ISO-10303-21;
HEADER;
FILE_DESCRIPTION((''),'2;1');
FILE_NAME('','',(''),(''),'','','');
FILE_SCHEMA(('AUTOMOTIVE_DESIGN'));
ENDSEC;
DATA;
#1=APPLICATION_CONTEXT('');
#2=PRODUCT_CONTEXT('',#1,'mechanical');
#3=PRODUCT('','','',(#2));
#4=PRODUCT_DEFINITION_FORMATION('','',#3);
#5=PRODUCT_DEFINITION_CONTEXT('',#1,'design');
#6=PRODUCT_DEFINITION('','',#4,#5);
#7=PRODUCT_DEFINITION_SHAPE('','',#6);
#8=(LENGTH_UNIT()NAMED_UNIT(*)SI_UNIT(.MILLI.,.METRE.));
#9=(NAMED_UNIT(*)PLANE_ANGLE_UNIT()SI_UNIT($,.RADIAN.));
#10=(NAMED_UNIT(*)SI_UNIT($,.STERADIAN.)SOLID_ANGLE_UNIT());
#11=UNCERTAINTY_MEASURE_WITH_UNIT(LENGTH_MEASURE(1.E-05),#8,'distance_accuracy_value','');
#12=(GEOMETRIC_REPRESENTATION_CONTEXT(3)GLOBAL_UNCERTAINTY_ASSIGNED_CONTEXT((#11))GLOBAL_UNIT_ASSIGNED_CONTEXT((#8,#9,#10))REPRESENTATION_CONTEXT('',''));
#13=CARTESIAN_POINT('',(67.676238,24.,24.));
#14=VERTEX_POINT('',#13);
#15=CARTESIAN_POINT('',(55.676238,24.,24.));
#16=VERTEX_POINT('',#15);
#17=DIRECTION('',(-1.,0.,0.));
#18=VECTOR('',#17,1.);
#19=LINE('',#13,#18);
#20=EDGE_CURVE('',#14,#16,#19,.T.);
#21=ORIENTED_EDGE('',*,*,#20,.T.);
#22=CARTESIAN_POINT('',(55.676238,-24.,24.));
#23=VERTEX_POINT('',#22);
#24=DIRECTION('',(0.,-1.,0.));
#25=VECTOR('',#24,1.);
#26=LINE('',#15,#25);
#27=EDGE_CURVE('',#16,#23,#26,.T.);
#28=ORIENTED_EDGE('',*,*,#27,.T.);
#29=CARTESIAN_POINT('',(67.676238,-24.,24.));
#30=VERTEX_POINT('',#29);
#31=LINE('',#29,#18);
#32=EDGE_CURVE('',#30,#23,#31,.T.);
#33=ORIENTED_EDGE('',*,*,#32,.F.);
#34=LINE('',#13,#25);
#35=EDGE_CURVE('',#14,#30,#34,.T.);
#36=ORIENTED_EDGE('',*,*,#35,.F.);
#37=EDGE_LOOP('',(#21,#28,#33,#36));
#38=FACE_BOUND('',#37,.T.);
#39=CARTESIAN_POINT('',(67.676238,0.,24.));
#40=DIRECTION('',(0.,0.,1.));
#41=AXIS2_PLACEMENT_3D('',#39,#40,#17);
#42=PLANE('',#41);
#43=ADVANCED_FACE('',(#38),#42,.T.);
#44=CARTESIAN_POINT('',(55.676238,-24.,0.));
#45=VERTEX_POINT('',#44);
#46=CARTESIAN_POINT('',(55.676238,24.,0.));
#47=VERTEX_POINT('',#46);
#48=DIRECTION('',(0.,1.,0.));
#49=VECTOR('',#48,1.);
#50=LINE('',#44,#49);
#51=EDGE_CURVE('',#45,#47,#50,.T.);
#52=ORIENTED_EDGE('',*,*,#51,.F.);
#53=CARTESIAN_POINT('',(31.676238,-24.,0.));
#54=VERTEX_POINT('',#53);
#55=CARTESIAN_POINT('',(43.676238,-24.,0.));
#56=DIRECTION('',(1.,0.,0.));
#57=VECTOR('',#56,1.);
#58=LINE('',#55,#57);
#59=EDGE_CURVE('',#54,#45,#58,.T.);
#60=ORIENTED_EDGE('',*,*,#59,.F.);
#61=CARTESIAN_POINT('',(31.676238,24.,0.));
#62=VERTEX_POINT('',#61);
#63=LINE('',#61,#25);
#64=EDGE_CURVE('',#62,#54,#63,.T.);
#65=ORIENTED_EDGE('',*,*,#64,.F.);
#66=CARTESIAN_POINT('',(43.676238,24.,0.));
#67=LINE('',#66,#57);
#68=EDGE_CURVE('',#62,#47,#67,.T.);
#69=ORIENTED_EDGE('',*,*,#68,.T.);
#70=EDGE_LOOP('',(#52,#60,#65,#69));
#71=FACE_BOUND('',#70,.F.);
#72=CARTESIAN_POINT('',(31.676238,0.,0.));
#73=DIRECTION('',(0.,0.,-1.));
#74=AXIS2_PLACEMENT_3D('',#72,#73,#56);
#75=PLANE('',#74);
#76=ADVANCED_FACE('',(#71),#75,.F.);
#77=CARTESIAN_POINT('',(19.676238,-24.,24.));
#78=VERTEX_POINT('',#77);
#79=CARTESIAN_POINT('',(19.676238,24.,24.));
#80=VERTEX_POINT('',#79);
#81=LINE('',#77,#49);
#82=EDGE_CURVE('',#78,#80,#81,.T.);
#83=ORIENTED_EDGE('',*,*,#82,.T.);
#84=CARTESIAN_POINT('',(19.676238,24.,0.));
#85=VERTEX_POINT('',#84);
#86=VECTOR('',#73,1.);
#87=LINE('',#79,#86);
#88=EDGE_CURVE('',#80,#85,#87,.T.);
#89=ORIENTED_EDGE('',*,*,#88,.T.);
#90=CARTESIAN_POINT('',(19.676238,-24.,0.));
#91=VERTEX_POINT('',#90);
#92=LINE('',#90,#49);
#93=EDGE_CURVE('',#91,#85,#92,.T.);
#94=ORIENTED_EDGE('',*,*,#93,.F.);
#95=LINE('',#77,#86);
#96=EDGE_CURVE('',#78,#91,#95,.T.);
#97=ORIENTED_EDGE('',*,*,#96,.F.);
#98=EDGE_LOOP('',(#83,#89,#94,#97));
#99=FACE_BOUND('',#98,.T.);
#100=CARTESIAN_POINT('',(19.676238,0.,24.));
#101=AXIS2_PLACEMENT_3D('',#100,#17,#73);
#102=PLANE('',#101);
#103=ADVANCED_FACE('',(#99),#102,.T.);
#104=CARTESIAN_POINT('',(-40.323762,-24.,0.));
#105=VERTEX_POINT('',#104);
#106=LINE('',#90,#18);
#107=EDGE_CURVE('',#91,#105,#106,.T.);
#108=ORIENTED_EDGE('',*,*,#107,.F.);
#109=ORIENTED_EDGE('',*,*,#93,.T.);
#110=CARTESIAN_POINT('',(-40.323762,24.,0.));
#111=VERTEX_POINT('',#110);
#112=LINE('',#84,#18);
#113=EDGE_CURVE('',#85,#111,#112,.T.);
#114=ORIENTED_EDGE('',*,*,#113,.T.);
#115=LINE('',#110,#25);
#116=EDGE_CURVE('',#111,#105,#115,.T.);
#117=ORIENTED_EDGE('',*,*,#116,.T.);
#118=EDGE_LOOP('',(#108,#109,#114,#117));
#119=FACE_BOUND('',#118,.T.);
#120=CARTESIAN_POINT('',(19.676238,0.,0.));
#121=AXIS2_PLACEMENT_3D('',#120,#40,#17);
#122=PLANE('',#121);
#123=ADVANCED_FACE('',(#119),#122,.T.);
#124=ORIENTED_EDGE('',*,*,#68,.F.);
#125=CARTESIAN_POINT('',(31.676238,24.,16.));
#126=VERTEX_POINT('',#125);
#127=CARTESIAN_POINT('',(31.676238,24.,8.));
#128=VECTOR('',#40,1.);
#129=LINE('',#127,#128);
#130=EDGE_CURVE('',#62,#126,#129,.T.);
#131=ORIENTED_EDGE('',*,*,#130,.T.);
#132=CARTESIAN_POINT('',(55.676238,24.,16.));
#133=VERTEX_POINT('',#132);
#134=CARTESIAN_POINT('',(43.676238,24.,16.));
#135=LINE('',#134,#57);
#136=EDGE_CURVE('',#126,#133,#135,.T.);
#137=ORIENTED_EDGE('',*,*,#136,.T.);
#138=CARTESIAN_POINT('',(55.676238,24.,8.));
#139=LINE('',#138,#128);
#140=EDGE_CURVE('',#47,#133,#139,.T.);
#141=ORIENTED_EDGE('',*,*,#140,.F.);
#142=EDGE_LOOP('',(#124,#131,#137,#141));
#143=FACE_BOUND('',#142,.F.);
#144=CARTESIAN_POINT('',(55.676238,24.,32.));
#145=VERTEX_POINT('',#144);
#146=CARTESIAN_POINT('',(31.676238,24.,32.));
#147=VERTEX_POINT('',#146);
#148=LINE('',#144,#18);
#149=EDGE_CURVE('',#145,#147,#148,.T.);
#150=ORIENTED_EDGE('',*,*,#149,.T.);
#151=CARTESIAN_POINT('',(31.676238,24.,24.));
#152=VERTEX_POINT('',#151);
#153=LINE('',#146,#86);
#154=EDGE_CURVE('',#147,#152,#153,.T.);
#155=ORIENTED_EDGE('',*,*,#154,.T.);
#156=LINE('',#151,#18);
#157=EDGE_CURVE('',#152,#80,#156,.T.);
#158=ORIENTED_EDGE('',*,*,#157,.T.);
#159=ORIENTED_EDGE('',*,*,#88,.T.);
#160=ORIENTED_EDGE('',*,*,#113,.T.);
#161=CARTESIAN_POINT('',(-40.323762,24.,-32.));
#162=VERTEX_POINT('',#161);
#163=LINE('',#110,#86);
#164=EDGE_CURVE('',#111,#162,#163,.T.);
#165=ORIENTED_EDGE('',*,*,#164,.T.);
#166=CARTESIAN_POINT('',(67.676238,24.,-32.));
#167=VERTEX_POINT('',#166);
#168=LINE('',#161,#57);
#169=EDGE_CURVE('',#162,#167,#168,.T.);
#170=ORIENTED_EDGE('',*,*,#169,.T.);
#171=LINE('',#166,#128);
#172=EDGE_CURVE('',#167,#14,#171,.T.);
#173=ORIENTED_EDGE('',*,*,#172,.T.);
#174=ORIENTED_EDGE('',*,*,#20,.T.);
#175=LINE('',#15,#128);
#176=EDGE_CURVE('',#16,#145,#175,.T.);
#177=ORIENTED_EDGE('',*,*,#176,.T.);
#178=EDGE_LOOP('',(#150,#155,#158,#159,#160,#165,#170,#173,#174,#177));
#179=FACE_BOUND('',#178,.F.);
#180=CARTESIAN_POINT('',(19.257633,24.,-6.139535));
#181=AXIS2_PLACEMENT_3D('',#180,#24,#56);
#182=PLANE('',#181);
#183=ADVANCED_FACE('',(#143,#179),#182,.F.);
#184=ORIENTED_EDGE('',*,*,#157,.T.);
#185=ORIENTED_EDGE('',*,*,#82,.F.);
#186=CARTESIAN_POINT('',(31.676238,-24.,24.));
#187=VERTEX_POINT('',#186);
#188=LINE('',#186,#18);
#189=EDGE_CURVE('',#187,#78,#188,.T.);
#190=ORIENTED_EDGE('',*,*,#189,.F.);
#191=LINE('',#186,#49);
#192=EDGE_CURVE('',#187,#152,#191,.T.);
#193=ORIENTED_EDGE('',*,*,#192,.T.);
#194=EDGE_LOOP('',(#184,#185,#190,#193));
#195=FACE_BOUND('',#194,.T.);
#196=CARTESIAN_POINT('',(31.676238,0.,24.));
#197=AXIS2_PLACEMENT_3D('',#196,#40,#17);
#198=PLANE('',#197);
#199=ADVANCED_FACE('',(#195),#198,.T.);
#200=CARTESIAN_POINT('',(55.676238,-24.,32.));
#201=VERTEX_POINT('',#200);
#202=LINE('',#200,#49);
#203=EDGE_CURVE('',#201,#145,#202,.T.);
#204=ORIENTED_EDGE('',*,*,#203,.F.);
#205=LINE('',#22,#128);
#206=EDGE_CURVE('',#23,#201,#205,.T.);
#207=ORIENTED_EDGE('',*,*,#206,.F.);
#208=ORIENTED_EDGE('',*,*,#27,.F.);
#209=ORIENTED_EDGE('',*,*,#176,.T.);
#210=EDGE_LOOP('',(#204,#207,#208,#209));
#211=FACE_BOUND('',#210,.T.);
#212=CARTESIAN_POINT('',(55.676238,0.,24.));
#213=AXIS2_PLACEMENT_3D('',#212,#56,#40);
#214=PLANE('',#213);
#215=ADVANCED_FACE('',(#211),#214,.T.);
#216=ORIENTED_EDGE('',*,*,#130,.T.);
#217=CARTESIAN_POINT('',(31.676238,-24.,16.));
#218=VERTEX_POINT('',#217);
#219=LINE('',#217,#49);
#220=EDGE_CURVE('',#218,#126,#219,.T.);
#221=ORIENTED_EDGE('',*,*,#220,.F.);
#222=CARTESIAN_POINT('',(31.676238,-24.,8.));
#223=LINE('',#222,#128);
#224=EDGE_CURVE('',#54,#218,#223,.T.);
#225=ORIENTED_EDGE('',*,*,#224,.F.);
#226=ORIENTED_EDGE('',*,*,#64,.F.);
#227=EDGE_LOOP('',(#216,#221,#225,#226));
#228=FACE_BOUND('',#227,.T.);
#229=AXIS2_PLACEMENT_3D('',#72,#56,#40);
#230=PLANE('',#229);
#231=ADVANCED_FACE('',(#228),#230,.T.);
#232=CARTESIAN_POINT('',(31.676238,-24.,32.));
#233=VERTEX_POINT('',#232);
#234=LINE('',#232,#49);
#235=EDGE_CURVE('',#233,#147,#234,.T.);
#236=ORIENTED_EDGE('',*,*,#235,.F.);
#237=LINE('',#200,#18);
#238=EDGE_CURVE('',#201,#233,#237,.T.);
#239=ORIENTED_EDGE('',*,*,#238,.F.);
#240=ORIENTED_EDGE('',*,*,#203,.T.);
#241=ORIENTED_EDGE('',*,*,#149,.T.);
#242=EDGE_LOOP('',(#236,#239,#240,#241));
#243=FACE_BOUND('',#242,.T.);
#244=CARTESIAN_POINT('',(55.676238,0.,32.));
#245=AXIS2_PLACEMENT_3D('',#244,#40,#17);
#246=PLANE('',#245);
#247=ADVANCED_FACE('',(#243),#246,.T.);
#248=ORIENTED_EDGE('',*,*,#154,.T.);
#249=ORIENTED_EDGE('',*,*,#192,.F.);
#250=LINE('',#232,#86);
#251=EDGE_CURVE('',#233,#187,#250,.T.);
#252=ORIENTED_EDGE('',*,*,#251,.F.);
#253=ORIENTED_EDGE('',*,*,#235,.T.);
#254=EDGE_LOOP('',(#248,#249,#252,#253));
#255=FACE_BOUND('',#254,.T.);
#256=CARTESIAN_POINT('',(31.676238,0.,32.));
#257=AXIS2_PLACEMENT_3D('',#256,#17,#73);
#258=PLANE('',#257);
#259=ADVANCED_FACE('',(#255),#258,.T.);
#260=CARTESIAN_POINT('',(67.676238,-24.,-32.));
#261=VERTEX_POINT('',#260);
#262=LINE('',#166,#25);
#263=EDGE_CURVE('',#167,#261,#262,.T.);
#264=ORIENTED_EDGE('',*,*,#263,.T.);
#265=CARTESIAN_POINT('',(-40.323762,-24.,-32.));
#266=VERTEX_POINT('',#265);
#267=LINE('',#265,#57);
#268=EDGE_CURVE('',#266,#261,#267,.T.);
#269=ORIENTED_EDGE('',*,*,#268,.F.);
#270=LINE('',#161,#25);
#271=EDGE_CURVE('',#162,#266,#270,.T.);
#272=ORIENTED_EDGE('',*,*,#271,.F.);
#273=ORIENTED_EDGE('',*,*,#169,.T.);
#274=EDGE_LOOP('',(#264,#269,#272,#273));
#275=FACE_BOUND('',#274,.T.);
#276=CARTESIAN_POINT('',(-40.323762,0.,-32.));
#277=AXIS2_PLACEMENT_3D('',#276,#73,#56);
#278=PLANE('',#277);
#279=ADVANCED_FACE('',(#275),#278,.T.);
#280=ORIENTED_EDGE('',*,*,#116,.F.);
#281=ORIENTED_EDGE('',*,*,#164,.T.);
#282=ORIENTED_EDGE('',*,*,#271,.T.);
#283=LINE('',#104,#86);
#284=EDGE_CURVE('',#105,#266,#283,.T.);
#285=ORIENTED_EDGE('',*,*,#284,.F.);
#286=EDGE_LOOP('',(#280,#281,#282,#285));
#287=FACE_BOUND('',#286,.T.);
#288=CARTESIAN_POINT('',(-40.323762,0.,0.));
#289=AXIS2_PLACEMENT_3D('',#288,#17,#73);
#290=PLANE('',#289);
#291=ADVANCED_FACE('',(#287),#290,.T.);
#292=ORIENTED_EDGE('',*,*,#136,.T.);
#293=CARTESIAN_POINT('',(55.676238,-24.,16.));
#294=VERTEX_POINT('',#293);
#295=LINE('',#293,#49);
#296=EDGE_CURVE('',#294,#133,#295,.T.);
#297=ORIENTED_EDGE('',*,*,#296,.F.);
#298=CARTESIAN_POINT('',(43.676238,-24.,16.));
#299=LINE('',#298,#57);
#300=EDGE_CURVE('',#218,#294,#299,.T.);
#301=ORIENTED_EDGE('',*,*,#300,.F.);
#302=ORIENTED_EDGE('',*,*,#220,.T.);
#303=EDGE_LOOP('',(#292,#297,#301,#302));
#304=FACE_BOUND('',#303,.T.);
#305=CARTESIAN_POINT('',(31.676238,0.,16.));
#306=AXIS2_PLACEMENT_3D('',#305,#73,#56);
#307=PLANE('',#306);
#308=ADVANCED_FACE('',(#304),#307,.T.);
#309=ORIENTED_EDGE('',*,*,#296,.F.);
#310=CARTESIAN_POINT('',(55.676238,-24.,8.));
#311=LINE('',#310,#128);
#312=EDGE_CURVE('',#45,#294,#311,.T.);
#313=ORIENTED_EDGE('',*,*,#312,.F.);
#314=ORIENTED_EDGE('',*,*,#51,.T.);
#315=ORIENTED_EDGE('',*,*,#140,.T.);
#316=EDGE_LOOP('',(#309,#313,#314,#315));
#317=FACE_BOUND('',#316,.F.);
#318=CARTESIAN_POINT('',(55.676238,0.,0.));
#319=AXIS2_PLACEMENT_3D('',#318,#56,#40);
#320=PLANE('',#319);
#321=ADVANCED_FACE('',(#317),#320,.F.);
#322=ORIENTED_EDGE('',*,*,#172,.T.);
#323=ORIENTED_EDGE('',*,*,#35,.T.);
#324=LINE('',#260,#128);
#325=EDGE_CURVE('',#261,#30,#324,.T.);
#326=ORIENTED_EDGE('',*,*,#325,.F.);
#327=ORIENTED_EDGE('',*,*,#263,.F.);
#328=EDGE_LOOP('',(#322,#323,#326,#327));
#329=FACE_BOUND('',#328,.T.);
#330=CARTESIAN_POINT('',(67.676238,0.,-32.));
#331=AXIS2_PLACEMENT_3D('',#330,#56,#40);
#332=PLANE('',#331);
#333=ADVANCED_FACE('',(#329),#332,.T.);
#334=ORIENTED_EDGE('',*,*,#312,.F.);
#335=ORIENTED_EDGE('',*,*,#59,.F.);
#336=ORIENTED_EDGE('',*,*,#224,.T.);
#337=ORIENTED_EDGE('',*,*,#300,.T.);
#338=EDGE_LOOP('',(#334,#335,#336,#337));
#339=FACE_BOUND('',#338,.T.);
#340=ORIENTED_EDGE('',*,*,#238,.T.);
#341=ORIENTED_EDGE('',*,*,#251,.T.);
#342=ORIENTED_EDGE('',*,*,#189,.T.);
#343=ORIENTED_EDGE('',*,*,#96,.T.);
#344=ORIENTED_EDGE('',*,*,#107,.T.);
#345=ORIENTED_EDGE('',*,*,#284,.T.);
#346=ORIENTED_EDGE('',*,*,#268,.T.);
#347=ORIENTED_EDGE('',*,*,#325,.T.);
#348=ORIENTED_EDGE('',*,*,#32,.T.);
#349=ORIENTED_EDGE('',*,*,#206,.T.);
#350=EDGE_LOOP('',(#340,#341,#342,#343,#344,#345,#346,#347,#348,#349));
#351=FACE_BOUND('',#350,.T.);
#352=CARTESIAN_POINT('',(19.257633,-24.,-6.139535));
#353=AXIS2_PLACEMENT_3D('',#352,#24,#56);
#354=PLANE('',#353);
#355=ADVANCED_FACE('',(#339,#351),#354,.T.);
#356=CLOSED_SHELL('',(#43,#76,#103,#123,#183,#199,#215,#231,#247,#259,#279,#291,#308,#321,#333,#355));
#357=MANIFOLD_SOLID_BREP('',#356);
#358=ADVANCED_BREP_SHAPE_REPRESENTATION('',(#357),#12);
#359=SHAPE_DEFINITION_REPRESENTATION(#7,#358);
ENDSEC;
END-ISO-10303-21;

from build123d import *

# Parameters (mm, degrees)
F0_W     = 24
F0_H     = 16
F1_DEPTH = 24


with BuildPart() as f1:
    # F0 (on Front) → F1 (new body, symmetric)
    with BuildSketch(Plane.XZ):
        Polygon((19.676238, 0), (-40.323762, 0), (-40.323762, -32), (67.676238, -32), (67.676238, 16), (67.676238, 24), (55.676238, 24), (55.676238, 32), (31.676238, 32), (31.676238, 24), (19.676238, 24), align=None)
        with Locations((43.676238, 8)):
            Rectangle(F0_W, F0_H, mode=Mode.SUBTRACT)
    extrude(amount=F1_DEPTH, both=True)


solid = f1.part
